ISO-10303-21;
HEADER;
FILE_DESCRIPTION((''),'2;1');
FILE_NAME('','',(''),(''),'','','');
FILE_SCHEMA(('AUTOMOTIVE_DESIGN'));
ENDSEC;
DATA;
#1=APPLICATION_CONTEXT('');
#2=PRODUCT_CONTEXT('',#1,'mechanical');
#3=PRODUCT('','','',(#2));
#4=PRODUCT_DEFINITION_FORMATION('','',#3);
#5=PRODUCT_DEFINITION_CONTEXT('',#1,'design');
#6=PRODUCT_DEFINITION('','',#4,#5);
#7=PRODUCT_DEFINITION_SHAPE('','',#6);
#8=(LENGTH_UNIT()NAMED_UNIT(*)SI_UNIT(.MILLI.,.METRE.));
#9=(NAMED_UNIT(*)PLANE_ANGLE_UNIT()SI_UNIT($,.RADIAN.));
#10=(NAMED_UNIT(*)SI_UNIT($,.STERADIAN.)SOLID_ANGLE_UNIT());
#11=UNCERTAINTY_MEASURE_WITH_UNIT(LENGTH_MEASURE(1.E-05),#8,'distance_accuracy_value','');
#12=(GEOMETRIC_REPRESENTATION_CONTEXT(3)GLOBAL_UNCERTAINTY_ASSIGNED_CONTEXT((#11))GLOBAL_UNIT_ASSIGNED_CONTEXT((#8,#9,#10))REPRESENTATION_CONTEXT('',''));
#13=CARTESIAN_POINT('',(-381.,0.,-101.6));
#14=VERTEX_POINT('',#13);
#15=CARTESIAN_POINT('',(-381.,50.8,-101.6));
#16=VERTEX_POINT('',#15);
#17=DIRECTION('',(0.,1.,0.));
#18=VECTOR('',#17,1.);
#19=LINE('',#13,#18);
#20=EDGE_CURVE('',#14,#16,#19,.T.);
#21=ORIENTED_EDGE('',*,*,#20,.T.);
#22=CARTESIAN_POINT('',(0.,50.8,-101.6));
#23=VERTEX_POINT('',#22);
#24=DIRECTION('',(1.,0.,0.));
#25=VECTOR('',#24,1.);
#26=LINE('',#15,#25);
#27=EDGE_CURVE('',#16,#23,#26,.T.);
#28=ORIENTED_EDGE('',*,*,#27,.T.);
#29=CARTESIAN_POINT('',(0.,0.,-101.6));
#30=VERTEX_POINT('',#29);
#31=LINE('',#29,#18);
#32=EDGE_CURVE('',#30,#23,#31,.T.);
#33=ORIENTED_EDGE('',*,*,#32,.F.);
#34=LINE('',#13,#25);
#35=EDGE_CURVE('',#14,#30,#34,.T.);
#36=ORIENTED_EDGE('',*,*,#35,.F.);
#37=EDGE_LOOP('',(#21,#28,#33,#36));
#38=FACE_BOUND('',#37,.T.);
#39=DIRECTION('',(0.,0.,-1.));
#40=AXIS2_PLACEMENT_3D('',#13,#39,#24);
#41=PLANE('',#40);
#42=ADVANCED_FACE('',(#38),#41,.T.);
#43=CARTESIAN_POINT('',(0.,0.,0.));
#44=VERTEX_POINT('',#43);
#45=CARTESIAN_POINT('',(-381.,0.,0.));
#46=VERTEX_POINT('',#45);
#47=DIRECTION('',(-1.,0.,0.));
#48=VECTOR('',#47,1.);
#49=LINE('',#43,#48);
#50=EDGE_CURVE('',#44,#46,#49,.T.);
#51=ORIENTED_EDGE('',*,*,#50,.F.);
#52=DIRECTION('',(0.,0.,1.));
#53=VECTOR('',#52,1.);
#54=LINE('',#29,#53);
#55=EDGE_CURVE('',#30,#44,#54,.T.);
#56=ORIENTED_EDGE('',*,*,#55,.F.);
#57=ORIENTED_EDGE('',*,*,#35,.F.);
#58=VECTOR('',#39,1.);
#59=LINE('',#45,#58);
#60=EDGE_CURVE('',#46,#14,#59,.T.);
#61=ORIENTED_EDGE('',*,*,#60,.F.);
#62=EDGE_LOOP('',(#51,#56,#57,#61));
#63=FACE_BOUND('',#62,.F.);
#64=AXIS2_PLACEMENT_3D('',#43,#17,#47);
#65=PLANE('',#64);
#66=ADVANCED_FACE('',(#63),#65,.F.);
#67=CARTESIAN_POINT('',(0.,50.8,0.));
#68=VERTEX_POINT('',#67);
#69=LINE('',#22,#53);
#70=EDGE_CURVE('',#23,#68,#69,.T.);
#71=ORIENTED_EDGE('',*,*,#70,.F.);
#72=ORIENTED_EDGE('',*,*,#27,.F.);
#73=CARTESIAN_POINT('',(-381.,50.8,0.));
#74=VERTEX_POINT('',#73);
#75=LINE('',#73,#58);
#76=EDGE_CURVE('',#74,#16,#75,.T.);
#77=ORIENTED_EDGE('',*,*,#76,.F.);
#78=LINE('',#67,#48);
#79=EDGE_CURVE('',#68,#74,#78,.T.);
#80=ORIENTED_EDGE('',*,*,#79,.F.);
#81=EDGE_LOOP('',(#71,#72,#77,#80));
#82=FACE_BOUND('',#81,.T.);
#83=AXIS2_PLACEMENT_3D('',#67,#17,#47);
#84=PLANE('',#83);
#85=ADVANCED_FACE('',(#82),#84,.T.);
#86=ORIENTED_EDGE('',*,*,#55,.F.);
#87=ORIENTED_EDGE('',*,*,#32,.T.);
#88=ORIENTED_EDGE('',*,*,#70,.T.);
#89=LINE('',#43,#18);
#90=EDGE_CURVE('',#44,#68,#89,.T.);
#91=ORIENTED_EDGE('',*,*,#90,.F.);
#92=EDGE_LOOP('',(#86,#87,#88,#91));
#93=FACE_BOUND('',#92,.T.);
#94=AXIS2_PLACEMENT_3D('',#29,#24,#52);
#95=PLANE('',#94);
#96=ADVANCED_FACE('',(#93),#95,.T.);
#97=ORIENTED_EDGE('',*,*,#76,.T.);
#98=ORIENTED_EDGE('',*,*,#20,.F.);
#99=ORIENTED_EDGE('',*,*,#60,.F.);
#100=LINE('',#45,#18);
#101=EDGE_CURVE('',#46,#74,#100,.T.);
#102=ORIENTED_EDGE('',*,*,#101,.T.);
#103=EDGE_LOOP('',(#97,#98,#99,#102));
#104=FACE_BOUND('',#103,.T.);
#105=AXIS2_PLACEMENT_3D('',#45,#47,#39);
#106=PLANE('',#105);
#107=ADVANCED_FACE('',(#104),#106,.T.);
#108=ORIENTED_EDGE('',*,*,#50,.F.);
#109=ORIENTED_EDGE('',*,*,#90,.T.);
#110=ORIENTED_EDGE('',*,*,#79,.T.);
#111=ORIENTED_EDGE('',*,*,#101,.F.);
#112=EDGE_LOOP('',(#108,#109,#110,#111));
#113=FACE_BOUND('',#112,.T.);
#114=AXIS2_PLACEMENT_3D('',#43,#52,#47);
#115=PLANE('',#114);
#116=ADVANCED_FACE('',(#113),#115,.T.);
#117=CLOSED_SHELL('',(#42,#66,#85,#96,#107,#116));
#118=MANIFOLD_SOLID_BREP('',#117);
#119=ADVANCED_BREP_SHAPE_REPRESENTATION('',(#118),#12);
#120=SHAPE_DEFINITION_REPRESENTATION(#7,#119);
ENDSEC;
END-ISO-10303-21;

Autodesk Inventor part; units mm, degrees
ref_plane "YZ Plane" through (0, 0, 0) normal (1, 0, 0) x (0, 1, 0)
ref_plane "XZ Plane" through (0, 0, 0) normal (0, 1, 0) x (-1, 0, 0)
ref_plane "XY Plane" through (0, 0, 0) normal (0, 0, 1) x (1, 0, 0)
sketch "Sketch1" plane through (0, 0, 0) normal (0, 1, 0) x (-1, 0, 0)
  line L0 (0, 0) -> (381, 0)
  line L1 (381, 0) -> (381, -101.6)
  line L2 (381, -101.6) -> (0, -101.6)
  line L3 (0, -101.6) -> (0, 0)
  dimension "d0" = 381
  dimension "d1" = 101.6
extrude "Extrusion1" add sketch "Sketch1" along normal blind 50.8
properties part number "2x4x15"
